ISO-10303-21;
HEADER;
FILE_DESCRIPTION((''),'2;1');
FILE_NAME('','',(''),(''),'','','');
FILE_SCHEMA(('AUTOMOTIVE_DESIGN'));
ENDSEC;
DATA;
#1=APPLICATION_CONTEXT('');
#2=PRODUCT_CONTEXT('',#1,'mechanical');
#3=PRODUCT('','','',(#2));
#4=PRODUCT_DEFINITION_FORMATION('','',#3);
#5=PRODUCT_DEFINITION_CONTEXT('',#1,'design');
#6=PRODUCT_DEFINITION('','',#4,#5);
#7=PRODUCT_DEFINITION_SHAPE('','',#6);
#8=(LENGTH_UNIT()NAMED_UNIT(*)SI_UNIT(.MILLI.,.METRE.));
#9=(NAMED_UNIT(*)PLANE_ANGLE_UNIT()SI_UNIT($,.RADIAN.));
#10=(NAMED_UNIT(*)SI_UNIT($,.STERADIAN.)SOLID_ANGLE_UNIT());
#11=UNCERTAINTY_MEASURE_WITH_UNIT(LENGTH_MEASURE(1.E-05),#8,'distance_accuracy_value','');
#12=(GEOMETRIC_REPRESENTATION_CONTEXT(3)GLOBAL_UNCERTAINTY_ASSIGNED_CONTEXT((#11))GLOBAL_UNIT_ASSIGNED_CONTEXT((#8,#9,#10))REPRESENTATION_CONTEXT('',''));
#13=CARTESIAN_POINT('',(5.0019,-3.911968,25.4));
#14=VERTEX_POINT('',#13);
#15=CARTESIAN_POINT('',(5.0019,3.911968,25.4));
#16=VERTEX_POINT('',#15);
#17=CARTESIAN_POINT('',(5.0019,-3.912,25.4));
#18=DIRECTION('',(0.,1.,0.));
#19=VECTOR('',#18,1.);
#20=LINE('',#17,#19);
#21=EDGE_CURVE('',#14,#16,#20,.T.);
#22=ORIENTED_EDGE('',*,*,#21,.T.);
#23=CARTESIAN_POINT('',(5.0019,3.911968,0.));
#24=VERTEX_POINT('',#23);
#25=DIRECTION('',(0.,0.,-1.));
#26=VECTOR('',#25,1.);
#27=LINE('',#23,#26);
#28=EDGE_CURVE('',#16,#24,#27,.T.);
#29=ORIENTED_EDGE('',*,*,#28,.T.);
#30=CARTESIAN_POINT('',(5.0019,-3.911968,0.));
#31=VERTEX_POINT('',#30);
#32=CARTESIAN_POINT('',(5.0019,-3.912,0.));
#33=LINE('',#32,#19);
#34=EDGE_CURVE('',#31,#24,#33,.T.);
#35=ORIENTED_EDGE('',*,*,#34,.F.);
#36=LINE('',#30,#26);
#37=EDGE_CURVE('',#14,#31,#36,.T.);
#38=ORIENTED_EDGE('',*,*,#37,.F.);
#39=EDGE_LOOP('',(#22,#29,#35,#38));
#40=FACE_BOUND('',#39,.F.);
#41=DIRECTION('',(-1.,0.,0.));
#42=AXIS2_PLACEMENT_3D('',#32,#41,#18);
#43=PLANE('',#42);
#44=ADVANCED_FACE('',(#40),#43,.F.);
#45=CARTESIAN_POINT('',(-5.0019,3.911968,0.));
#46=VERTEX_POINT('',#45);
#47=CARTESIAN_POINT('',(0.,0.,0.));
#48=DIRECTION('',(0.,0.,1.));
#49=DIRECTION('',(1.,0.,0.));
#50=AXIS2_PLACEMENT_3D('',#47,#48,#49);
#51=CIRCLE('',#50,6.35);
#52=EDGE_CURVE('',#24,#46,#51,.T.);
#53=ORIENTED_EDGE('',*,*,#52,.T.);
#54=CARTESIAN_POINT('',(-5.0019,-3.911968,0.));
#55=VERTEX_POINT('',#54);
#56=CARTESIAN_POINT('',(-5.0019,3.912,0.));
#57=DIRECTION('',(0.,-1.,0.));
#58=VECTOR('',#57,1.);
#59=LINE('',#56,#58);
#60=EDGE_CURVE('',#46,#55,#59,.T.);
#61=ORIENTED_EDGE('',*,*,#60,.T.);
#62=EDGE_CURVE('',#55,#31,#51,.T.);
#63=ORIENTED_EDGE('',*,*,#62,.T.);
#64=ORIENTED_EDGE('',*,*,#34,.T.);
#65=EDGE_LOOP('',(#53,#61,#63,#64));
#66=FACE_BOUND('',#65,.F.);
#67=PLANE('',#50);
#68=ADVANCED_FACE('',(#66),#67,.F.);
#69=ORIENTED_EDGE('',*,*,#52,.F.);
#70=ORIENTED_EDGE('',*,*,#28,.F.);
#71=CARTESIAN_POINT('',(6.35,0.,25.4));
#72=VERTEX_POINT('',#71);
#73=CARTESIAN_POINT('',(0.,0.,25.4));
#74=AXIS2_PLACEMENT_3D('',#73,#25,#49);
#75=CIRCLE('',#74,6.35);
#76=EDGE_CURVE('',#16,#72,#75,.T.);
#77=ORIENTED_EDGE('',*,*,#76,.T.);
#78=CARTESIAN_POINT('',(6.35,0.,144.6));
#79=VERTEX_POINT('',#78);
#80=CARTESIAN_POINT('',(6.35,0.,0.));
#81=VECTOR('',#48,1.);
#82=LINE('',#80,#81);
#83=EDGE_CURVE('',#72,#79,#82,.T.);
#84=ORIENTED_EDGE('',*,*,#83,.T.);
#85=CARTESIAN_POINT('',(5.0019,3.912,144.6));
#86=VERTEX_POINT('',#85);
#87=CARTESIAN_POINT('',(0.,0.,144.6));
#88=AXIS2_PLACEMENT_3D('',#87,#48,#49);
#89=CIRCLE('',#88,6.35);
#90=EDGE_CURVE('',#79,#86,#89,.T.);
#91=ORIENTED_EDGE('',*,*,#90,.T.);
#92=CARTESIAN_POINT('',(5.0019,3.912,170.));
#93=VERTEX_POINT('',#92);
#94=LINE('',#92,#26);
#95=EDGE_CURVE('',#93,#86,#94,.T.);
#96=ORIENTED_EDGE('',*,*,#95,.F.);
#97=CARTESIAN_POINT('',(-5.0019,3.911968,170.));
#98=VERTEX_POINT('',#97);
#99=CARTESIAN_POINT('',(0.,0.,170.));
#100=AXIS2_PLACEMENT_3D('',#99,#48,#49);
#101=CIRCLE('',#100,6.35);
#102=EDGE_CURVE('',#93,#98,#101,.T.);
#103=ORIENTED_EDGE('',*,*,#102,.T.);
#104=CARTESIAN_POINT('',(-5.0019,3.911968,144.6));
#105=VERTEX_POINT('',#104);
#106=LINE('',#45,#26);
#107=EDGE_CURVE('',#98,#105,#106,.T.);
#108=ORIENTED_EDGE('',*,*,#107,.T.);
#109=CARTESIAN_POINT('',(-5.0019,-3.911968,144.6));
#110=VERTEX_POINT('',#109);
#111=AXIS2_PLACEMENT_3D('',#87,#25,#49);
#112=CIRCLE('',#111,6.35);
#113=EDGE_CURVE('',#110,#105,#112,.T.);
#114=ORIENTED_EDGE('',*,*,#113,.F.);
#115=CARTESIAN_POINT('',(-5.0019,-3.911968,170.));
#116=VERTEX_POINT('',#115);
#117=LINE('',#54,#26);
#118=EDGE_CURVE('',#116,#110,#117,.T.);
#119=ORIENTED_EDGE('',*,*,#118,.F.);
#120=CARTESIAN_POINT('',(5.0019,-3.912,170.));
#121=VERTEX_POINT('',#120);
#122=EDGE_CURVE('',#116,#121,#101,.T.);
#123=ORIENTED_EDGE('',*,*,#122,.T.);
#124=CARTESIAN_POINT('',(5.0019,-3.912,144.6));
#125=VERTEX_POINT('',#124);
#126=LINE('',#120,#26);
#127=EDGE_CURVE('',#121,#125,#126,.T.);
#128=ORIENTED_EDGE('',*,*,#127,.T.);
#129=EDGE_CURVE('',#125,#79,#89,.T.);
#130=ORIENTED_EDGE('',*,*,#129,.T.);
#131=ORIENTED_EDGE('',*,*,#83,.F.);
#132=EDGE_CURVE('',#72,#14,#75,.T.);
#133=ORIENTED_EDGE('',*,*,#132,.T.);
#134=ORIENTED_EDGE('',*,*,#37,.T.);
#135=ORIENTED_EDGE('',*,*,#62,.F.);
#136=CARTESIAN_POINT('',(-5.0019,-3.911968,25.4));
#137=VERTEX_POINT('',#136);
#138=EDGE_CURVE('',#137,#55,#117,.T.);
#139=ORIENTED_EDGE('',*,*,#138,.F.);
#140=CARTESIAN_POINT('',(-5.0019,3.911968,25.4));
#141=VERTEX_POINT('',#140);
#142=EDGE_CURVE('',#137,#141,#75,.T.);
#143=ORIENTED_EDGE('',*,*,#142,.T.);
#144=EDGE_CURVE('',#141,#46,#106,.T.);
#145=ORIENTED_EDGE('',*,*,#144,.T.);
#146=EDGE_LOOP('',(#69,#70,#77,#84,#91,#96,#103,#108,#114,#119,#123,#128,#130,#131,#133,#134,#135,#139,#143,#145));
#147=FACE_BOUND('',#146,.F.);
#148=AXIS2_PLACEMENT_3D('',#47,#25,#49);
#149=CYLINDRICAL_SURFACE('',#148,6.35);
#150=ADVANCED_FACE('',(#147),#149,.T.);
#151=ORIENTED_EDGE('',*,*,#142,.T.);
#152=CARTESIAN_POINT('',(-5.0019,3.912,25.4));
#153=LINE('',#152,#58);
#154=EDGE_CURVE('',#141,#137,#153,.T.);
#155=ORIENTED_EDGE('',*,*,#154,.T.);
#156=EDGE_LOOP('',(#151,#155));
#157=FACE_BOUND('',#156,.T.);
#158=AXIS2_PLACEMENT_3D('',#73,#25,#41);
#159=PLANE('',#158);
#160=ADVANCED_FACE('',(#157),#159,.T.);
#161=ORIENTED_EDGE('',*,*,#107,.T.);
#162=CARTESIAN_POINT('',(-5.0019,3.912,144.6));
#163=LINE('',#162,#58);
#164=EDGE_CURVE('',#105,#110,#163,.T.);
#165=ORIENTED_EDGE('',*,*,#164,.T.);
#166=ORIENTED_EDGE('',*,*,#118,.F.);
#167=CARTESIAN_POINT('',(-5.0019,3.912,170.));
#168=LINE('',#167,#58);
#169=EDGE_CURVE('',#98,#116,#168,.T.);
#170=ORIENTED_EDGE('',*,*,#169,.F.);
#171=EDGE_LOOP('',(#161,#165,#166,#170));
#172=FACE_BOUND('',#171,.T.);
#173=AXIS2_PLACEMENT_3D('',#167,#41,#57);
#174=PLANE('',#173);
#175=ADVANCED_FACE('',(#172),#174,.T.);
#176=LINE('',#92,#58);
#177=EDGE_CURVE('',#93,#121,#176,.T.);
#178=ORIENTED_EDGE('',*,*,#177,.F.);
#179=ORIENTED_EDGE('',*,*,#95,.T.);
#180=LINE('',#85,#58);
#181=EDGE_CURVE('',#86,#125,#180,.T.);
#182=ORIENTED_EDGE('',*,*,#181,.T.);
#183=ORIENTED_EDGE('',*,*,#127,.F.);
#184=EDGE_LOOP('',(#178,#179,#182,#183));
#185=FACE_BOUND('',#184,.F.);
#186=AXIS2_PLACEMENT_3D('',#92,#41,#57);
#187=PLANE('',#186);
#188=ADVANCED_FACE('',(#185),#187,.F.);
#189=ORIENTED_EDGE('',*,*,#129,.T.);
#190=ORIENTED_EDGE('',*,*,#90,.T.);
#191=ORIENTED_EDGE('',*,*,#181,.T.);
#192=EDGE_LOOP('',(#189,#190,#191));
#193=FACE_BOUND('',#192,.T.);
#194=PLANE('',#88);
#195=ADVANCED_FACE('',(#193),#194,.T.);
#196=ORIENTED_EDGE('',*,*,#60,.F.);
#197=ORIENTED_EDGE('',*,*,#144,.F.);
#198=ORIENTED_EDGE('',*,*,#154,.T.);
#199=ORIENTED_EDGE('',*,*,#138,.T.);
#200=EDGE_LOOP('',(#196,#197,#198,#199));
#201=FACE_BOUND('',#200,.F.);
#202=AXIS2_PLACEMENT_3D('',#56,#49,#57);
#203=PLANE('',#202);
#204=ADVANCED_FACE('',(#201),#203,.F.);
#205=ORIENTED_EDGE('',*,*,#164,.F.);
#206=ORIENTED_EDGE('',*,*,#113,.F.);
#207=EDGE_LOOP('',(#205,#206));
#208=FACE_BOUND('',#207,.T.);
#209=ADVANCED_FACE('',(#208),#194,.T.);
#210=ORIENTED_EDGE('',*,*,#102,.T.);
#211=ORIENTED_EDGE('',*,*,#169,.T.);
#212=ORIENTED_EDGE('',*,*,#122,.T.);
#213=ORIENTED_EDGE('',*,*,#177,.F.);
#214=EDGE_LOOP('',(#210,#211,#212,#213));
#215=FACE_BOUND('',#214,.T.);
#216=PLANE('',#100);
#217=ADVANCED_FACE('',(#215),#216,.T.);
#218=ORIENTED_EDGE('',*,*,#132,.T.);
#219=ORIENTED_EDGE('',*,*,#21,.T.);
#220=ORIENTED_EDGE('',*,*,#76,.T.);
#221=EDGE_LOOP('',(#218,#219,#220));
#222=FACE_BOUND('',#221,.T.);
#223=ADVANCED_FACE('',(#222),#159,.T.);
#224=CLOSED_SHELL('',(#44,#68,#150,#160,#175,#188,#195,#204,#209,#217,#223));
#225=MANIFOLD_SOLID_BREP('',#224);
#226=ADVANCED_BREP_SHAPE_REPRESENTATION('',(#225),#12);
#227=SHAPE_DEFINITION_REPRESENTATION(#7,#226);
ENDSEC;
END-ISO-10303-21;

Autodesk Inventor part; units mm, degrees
ref_plane "YZ Plane" through (0, 0, 0) normal (1, 0, 0) x (0, 1, 0)
ref_plane "XZ Plane" through (0, 0, 0) normal (0, 1, 0) x (-1, 0, 0)
ref_plane "XY Plane" through (0, 0, 0) normal (0, 0, 1) x (1, 0, 0)
sketch "Sketch1" plane through (0, 0, 0) normal (0, 0, 1) x (1, 0, 0)
  circle A0 centre (0, 0) radius 6.35
  dimension "d0" = 12.7
extrude "Extrusion1" add sketch "Sketch1" along normal blind 170
sketch "Sketch2" plane through (0, 0, 170) normal (0, 0, 1) x (1, 0, 0)
  circle A0 centre (0, 0) radius 6.35 projected
  line L0 (-5, 3.9144) -> (5, 3.9144) construction
  line L1 (-5, 3.9144) -> (5, 3.9144) construction
  line L2 (-5, -3.9144) -> (5, -3.9144) construction
  line L3 (-5, -3.9144) -> (5, -3.9144) construction
  circle A1 centre (0, 0) radius 6.35 projected
  dimension "d3" = 10
  dimension "d4" = 0
  dimension "d5" = 10
  dimension "d6" = 0
thread "Thread1" size "1/2-13 UNC" class "2A" standard "ANSI Unified Screw Threads" length 25.4
thread "Thread2" size "1/2-13 UNC" class "2A" standard "ANSI Unified Screw Threads" length 25.4
sketch "Sketch3" plane through (0, 0, 170) normal (0, 0, 1) x (1, 0, 0)
  circle A0 centre (0, 0) radius 6.35 projected
  line L0 (5.0019, 3.912) -> (5.0019, -3.912)
  arc A1 (5.0019, -3.912) -> (5.0019, 3.912) centre (0, 0) ccw
extrude "Extrusion2" cut sketch "Sketch3" against normal blind 25.4 contours A0 L0 picked at (5.2474, -0.9063)
sketch "Sketch4" plane through (0, 0, 170) normal (0, 0, 1) x (1, 0, 0)
  arc A0 (5.0019, 3.912) -> (5.0019, -3.912) centre (0, 0) ccw projected
  line L0 (-5.0019, 3.912) -> (-5.0019, -3.912)
  arc A1 (-5.0019, 3.912) -> (-5.0019, -3.912) centre (0, 0) ccw
extrude "Extrusion3" cut sketch "Sketch4" against normal blind 25.4
sketch "Sketch5" plane through (0, 0, 0) normal (0, 0, -1) x (-1, 0, 0)
  line L0 (-5.0019, -3.912) -> (-5.0019, 3.912) projected
  line L1 (-5.0019, 3.912) -> (-5.0019, -3.912)
  arc A0 (-5.0019, 3.912) -> (-5.0019, -3.912) centre (0, 0) ccw
extrude "Extrusion4" cut sketch "Sketch5" against normal blind 25.4
sketch "Sketch6" plane through (0, 0, 0) normal (0, 0, -1) x (-1, 0, 0)
  arc A0 (5.0019, -3.912) -> (5.0019, 3.912) centre (0, 0) ccw projected
  line L0 (5.0019, 3.912) -> (5.0019, -3.912)
  arc A1 (5.0019, -3.912) -> (5.0019, 3.912) centre (0, 0) ccw
extrude "Extrusion5" cut sketch "Sketch6" against normal blind 25.4
properties part number "Rear Axle2"
